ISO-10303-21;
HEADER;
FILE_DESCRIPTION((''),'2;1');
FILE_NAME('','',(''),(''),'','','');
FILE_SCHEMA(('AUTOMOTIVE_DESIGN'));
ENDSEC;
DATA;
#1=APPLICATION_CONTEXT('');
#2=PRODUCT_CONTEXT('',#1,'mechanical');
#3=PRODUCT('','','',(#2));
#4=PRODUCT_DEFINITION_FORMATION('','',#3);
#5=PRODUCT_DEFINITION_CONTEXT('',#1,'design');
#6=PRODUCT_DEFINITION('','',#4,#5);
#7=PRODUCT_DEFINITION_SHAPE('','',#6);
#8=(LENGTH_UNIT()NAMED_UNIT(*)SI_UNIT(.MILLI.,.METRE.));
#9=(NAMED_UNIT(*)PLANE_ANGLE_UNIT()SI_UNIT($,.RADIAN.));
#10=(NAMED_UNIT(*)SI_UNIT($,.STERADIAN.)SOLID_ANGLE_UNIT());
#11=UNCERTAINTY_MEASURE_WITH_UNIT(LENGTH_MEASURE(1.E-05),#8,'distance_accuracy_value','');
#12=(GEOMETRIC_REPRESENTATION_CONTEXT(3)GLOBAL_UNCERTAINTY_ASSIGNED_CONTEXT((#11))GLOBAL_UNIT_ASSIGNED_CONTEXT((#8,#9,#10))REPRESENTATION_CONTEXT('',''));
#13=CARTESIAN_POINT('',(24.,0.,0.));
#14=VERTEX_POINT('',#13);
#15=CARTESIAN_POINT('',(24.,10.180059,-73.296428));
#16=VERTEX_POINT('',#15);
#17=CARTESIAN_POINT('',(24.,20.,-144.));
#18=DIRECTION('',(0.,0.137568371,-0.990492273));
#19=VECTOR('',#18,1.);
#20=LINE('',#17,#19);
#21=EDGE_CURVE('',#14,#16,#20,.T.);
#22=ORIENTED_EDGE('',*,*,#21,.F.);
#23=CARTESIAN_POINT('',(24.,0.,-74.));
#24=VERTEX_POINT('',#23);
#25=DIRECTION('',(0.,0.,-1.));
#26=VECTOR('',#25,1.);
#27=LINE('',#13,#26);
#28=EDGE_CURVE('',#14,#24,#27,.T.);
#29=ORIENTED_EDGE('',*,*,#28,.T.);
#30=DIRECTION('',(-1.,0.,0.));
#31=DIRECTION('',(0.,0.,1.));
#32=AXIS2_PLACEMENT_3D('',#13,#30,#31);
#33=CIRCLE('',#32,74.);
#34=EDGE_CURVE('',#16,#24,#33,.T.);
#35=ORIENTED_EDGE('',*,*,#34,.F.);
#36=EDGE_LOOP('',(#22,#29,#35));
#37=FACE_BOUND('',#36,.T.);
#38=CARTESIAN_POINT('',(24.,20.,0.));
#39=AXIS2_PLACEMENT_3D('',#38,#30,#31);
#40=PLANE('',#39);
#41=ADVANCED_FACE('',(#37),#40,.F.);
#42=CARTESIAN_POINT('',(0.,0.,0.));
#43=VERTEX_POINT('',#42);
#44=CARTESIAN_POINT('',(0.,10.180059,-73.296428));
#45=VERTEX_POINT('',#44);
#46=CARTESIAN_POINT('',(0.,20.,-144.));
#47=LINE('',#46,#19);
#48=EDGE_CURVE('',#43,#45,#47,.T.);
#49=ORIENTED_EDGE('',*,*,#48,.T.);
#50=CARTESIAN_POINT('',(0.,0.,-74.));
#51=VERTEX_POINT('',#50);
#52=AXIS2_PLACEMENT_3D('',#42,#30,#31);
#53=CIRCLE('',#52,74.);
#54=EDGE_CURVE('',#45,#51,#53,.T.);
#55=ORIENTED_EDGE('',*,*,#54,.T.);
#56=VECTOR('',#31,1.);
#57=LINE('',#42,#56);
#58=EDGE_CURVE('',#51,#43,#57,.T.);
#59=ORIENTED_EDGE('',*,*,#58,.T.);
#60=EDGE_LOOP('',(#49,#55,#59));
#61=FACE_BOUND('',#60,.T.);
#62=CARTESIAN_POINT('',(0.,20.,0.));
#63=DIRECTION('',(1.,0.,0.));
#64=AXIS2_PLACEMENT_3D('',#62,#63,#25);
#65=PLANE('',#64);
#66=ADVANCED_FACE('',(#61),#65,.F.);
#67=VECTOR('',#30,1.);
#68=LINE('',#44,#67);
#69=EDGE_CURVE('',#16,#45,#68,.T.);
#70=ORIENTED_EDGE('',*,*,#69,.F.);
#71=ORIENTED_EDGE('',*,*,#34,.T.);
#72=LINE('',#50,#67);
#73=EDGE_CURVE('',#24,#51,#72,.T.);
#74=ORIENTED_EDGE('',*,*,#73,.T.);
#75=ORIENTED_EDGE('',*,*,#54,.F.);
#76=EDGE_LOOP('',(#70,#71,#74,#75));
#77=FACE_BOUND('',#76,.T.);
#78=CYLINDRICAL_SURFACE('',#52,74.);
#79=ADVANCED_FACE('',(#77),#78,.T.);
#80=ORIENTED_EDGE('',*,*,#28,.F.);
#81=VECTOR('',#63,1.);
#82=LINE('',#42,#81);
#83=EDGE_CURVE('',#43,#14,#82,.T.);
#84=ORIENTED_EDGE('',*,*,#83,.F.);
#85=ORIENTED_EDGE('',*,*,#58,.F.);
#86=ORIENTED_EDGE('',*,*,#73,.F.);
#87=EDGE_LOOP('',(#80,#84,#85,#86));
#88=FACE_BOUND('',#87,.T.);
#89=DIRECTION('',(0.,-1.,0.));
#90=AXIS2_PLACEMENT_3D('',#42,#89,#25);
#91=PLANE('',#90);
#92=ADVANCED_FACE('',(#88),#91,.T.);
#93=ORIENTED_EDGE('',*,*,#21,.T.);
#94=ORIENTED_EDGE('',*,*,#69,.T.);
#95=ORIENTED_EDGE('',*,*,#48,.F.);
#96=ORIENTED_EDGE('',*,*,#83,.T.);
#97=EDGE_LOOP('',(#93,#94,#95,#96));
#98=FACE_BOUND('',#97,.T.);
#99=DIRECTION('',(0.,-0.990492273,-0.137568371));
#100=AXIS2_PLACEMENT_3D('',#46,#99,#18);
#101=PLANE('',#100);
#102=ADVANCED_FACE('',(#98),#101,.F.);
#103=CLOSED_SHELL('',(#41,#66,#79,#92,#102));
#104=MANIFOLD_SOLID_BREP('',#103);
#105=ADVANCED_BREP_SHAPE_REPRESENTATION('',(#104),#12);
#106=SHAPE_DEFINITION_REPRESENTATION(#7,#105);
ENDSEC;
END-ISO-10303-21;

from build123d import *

# Parameters (mm, degrees)
CROQUIS1_W              = 24
CROQUIS1_H              = 144
SALIENTE_EXTRUIR1_DEPTH = 20
CORTAR_EXTRUIR2_DEPTH   = 148.349923651
CROQUIS4_W              = 24
CROQUIS4_H              = 70


with BuildPart() as part:
    # Croquis1 → Saliente-Extruir1 (new body)
    with BuildSketch(Plane(origin=(0, 0, 0), x_dir=(1, 0, 0), z_dir=(0, 1, 0))):
        with Locations((12, 72)):
            Rectangle(CROQUIS1_W, CROQUIS1_H)
    extrude(amount=SALIENTE_EXTRUIR1_DEPTH)

    # Croquis3 → Cortar-Extruir2 (cut, through all)
    with BuildSketch(Plane(origin=(24, 0, 0), x_dir=(0, 0, -1), z_dir=(1, 0, 0))):
        Polygon((144, 20), (0, 0), (0, 20), align=None)
    extrude(amount=-CORTAR_EXTRUIR2_DEPTH, mode=Mode.SUBTRACT)

    # Croquis4 → Cortar-Revolución2 (revolve, cut)
    with BuildSketch(Plane.XZ):
        with Locations((12, -109)):
            Rectangle(CROQUIS4_W, CROQUIS4_H)
    revolve(axis=Axis((0, 0, 0), (1, 0, 0)), mode=Mode.SUBTRACT)


with BuildPart() as body_2:
    # of the pieces the cut leaves, the one that is kept (cortar_revoluci_n2_keep)
    add(part.part.solids().sort_by_distance((0, 0, -74))[0])


solid = body_2.part
